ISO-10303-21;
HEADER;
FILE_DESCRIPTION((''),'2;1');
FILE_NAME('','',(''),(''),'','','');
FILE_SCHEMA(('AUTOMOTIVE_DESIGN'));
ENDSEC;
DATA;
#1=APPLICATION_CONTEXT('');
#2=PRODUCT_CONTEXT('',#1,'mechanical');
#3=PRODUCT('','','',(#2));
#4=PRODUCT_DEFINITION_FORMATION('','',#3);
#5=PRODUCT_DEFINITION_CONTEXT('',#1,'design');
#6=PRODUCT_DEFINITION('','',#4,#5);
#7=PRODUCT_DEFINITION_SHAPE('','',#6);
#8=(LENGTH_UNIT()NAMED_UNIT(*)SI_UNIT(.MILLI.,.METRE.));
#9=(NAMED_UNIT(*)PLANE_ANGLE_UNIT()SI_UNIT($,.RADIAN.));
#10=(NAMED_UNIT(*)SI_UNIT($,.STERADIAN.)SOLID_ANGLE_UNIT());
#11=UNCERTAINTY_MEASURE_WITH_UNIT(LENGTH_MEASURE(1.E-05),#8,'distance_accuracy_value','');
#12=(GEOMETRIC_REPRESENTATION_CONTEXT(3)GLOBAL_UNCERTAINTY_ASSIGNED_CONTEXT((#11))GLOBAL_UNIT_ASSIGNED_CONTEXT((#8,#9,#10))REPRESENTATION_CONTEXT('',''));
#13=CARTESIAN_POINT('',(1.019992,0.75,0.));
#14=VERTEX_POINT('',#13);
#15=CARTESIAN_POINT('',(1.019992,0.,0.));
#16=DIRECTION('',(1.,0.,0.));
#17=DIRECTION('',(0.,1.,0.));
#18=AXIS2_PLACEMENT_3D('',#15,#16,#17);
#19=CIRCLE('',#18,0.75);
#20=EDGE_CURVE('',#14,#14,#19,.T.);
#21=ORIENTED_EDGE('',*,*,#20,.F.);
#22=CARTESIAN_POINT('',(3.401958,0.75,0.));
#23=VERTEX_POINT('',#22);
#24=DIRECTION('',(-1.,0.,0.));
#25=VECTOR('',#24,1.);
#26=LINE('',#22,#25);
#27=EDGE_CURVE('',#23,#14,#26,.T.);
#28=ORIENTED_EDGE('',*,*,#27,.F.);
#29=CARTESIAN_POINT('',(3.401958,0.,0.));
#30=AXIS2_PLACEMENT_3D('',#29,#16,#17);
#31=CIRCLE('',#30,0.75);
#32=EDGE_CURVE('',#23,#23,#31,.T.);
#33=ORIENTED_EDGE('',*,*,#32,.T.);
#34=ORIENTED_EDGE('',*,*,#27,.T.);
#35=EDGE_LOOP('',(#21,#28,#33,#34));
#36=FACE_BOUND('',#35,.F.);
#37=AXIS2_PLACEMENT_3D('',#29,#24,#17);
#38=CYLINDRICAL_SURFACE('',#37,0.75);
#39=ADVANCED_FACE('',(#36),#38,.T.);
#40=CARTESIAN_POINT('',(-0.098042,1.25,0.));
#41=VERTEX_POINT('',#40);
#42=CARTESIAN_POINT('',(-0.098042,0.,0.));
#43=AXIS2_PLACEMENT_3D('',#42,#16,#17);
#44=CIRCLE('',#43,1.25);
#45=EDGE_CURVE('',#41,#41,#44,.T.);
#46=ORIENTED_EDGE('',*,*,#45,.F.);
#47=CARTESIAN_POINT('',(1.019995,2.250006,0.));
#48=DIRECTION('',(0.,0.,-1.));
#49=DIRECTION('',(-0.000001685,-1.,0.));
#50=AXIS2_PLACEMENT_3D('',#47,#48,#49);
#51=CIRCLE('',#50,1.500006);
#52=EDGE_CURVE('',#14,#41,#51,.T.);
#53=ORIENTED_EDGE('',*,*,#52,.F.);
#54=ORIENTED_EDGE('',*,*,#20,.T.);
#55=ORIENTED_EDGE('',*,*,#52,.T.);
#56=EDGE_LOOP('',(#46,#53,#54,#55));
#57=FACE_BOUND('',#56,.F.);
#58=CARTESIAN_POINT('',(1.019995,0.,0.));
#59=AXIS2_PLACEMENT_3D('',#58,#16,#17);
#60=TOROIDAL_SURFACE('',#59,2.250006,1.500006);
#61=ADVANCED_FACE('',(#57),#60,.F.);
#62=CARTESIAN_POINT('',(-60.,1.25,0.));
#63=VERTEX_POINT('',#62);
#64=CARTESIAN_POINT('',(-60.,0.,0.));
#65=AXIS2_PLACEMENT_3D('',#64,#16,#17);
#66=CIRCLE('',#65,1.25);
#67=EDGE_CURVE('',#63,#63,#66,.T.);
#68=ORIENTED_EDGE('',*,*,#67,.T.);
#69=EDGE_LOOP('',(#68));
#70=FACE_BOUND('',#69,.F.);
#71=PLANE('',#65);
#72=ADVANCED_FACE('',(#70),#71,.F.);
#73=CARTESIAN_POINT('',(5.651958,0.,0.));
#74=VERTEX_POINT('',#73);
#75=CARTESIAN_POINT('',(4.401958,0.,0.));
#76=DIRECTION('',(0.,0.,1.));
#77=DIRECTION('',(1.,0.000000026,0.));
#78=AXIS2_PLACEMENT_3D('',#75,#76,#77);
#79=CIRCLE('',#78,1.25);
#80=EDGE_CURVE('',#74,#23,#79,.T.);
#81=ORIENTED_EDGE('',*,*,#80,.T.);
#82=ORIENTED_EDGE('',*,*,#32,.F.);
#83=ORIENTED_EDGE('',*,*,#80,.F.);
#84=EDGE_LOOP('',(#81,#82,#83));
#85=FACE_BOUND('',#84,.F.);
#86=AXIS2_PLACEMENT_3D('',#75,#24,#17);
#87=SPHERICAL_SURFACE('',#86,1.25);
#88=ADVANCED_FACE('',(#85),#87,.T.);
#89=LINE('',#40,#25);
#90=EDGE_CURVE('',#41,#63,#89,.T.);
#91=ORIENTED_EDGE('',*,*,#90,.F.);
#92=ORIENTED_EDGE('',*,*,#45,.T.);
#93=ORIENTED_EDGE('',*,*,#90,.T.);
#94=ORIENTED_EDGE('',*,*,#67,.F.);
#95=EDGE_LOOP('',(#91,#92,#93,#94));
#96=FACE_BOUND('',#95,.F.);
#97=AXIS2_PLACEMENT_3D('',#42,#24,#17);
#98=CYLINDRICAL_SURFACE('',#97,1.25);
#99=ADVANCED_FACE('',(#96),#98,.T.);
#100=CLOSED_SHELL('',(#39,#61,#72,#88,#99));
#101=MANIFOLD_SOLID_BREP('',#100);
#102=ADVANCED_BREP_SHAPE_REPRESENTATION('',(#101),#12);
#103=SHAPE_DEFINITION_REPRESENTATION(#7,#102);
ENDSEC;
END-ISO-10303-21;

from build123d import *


with BuildPart() as f1:
    # F0 (on Top) → F1 (revolve)
    with BuildSketch(Plane.XY):
        with BuildLine():
            Line((-0.098042, 1.25), (-60, 1.25))
            Line((-60, 1.25), (-60, 0))
            Line((-60, 0), (5.651958, 0))
            ThreePointArc((5.651958, 0), (4.797243, 1.185854), (3.401958, 0.75))
            Line((3.401958, 0.75), (1.019992, 0.75))
            ThreePointArc((1.019992, 0.75), (0.40762, 0.880694), (-0.098042, 1.25))
        make_face()
    revolve(axis=Axis((-18.144794, 0, 0), (1, 0, 0)))


solid = f1.part
